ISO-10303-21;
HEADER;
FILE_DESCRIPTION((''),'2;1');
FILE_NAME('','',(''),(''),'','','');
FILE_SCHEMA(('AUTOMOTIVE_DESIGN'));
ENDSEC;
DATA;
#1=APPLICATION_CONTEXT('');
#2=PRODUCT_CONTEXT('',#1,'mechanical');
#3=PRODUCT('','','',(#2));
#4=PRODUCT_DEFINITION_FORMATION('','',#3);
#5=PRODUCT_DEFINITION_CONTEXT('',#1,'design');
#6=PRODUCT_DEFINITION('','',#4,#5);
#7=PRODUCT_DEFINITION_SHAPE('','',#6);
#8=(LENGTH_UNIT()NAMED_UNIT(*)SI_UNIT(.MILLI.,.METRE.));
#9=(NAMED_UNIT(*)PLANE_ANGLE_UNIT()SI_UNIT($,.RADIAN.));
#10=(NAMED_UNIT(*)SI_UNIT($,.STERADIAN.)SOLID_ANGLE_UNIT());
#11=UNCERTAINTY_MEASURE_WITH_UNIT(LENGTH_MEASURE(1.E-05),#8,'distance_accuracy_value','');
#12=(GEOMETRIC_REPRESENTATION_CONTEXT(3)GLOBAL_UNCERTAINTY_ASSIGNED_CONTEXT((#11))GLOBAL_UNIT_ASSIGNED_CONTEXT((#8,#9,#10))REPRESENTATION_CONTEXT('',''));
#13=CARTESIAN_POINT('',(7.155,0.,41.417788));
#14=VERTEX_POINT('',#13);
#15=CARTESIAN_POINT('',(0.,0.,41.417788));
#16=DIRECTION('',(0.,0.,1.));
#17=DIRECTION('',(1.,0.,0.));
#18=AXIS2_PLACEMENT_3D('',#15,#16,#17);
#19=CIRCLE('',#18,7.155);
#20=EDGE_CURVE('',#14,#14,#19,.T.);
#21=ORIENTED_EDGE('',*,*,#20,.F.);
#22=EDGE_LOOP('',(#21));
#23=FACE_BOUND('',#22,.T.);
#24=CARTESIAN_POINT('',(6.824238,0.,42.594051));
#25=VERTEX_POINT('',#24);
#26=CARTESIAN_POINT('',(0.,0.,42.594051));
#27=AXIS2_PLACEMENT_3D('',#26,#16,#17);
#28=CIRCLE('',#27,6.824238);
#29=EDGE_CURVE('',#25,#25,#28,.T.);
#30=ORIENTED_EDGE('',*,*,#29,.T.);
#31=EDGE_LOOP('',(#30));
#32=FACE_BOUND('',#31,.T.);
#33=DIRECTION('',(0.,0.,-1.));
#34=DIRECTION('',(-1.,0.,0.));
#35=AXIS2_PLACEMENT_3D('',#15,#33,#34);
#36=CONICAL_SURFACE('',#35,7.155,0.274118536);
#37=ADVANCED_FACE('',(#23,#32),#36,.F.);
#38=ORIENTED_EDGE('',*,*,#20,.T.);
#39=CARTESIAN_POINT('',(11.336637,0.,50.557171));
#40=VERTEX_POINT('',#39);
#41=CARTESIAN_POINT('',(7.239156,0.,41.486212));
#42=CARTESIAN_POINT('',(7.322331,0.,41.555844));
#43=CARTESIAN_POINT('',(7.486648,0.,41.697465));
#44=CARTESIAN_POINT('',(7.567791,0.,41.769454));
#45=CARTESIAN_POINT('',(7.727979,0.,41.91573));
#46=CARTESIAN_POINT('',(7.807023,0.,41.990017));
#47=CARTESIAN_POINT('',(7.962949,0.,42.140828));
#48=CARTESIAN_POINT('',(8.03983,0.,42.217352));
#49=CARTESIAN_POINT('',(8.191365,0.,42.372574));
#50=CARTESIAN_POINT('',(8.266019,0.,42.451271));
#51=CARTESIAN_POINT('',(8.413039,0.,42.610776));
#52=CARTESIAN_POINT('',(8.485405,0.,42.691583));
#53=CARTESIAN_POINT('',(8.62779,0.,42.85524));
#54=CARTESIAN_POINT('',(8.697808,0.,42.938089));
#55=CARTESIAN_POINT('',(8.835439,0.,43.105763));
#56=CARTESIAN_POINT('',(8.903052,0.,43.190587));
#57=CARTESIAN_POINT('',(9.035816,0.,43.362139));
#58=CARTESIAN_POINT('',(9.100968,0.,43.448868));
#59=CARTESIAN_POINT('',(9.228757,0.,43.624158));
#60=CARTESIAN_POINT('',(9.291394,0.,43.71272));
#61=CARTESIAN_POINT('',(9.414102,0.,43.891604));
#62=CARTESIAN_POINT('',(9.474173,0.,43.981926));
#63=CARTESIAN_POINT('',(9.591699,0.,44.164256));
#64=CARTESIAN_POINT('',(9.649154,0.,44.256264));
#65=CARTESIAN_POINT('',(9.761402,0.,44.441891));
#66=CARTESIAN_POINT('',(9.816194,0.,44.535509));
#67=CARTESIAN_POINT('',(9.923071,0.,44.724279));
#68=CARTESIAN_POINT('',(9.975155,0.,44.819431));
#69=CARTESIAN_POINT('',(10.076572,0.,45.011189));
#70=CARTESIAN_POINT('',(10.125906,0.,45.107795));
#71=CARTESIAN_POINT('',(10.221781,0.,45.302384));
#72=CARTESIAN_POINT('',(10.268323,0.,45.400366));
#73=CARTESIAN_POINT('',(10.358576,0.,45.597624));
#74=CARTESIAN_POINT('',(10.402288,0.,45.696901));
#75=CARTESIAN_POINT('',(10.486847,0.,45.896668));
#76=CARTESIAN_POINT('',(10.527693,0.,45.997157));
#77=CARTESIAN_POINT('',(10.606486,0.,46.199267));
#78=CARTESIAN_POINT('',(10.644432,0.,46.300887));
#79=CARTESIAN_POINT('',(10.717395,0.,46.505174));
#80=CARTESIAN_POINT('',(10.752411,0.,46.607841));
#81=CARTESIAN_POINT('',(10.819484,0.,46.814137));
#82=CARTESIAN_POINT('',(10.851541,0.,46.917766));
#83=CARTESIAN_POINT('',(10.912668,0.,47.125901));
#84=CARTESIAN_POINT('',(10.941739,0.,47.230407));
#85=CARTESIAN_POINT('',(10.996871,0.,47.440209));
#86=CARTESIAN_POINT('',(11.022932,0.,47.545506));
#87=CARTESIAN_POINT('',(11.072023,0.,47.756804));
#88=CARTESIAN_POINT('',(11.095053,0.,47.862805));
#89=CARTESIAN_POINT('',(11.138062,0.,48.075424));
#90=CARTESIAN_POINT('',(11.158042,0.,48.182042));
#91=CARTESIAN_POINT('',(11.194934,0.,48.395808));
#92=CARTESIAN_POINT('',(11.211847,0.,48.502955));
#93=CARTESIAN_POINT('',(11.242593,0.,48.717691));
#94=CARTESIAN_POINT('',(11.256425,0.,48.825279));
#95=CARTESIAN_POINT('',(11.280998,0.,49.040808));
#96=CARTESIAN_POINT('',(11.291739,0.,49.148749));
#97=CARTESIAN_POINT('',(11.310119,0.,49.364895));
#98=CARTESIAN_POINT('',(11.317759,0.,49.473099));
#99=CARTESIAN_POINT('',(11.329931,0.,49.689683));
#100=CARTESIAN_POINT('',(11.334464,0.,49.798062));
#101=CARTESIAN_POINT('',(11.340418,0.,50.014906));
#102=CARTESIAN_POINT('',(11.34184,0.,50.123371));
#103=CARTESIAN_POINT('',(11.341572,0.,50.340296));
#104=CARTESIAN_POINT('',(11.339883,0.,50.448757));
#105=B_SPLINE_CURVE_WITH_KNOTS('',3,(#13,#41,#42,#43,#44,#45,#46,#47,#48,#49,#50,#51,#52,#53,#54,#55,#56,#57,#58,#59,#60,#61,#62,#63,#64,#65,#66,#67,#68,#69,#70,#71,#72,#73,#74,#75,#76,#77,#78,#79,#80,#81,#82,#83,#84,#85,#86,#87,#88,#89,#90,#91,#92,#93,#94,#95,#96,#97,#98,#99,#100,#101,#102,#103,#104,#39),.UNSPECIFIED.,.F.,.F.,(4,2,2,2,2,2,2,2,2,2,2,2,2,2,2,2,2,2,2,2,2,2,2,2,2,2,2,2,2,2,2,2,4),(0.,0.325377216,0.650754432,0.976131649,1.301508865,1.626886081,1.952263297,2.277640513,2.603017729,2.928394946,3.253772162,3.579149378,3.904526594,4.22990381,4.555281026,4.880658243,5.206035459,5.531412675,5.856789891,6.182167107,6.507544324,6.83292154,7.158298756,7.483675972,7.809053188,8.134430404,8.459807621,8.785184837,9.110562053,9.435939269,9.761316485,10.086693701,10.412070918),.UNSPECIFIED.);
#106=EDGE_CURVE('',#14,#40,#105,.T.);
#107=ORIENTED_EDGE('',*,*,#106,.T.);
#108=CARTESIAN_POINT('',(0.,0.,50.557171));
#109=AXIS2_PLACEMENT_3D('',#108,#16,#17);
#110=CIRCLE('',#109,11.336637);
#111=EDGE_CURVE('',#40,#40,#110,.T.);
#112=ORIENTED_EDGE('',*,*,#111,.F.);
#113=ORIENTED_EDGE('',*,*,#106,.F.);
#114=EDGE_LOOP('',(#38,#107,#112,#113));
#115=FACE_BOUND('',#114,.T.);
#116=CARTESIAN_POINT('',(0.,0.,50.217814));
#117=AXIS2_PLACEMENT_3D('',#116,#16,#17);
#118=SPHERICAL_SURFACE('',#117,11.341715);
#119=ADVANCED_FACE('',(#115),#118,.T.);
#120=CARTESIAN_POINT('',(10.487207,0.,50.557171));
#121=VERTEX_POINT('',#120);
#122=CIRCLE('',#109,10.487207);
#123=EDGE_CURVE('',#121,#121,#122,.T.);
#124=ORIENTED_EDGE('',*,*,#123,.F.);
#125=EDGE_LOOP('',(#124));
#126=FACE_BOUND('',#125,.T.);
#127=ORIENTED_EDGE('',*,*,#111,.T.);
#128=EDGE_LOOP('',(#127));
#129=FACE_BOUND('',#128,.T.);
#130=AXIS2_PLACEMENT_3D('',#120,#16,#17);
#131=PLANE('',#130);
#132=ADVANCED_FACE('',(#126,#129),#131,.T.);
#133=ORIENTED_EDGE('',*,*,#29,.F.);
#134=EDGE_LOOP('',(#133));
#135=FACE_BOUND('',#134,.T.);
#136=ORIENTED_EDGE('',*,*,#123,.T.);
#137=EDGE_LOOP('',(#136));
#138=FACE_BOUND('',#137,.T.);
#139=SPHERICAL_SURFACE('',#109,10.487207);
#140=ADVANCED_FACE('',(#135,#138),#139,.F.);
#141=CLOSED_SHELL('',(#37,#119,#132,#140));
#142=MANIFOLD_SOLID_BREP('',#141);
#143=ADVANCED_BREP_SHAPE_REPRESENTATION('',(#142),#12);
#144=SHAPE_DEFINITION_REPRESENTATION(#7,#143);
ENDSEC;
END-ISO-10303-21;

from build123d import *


with BuildPart() as part:
    # 草图2 → 旋转1 (revolve)
    with BuildSketch(Plane(origin=(0, 0, 0), x_dir=(1, 0, 0), z_dir=(0, 1, 0))):
        with BuildLine():
            Line((7.155, -41.417787665), (6.82423803, -42.594050982))
            ThreePointArc((6.82423803, -42.594050982), (9.527557542, -46.17457426), (10.487206926, -50.557171251))
            Line((10.487206926, -50.557171251), (11.336636736, -50.557171251))
            ThreePointArc((11.336636736, -50.557171251), (10.31344949, -45.498995145), (7.155, -41.417787665))
        make_face()
    revolve(axis=Axis((0, 0, 0), (0, 0, -1)))


solid = part.part
